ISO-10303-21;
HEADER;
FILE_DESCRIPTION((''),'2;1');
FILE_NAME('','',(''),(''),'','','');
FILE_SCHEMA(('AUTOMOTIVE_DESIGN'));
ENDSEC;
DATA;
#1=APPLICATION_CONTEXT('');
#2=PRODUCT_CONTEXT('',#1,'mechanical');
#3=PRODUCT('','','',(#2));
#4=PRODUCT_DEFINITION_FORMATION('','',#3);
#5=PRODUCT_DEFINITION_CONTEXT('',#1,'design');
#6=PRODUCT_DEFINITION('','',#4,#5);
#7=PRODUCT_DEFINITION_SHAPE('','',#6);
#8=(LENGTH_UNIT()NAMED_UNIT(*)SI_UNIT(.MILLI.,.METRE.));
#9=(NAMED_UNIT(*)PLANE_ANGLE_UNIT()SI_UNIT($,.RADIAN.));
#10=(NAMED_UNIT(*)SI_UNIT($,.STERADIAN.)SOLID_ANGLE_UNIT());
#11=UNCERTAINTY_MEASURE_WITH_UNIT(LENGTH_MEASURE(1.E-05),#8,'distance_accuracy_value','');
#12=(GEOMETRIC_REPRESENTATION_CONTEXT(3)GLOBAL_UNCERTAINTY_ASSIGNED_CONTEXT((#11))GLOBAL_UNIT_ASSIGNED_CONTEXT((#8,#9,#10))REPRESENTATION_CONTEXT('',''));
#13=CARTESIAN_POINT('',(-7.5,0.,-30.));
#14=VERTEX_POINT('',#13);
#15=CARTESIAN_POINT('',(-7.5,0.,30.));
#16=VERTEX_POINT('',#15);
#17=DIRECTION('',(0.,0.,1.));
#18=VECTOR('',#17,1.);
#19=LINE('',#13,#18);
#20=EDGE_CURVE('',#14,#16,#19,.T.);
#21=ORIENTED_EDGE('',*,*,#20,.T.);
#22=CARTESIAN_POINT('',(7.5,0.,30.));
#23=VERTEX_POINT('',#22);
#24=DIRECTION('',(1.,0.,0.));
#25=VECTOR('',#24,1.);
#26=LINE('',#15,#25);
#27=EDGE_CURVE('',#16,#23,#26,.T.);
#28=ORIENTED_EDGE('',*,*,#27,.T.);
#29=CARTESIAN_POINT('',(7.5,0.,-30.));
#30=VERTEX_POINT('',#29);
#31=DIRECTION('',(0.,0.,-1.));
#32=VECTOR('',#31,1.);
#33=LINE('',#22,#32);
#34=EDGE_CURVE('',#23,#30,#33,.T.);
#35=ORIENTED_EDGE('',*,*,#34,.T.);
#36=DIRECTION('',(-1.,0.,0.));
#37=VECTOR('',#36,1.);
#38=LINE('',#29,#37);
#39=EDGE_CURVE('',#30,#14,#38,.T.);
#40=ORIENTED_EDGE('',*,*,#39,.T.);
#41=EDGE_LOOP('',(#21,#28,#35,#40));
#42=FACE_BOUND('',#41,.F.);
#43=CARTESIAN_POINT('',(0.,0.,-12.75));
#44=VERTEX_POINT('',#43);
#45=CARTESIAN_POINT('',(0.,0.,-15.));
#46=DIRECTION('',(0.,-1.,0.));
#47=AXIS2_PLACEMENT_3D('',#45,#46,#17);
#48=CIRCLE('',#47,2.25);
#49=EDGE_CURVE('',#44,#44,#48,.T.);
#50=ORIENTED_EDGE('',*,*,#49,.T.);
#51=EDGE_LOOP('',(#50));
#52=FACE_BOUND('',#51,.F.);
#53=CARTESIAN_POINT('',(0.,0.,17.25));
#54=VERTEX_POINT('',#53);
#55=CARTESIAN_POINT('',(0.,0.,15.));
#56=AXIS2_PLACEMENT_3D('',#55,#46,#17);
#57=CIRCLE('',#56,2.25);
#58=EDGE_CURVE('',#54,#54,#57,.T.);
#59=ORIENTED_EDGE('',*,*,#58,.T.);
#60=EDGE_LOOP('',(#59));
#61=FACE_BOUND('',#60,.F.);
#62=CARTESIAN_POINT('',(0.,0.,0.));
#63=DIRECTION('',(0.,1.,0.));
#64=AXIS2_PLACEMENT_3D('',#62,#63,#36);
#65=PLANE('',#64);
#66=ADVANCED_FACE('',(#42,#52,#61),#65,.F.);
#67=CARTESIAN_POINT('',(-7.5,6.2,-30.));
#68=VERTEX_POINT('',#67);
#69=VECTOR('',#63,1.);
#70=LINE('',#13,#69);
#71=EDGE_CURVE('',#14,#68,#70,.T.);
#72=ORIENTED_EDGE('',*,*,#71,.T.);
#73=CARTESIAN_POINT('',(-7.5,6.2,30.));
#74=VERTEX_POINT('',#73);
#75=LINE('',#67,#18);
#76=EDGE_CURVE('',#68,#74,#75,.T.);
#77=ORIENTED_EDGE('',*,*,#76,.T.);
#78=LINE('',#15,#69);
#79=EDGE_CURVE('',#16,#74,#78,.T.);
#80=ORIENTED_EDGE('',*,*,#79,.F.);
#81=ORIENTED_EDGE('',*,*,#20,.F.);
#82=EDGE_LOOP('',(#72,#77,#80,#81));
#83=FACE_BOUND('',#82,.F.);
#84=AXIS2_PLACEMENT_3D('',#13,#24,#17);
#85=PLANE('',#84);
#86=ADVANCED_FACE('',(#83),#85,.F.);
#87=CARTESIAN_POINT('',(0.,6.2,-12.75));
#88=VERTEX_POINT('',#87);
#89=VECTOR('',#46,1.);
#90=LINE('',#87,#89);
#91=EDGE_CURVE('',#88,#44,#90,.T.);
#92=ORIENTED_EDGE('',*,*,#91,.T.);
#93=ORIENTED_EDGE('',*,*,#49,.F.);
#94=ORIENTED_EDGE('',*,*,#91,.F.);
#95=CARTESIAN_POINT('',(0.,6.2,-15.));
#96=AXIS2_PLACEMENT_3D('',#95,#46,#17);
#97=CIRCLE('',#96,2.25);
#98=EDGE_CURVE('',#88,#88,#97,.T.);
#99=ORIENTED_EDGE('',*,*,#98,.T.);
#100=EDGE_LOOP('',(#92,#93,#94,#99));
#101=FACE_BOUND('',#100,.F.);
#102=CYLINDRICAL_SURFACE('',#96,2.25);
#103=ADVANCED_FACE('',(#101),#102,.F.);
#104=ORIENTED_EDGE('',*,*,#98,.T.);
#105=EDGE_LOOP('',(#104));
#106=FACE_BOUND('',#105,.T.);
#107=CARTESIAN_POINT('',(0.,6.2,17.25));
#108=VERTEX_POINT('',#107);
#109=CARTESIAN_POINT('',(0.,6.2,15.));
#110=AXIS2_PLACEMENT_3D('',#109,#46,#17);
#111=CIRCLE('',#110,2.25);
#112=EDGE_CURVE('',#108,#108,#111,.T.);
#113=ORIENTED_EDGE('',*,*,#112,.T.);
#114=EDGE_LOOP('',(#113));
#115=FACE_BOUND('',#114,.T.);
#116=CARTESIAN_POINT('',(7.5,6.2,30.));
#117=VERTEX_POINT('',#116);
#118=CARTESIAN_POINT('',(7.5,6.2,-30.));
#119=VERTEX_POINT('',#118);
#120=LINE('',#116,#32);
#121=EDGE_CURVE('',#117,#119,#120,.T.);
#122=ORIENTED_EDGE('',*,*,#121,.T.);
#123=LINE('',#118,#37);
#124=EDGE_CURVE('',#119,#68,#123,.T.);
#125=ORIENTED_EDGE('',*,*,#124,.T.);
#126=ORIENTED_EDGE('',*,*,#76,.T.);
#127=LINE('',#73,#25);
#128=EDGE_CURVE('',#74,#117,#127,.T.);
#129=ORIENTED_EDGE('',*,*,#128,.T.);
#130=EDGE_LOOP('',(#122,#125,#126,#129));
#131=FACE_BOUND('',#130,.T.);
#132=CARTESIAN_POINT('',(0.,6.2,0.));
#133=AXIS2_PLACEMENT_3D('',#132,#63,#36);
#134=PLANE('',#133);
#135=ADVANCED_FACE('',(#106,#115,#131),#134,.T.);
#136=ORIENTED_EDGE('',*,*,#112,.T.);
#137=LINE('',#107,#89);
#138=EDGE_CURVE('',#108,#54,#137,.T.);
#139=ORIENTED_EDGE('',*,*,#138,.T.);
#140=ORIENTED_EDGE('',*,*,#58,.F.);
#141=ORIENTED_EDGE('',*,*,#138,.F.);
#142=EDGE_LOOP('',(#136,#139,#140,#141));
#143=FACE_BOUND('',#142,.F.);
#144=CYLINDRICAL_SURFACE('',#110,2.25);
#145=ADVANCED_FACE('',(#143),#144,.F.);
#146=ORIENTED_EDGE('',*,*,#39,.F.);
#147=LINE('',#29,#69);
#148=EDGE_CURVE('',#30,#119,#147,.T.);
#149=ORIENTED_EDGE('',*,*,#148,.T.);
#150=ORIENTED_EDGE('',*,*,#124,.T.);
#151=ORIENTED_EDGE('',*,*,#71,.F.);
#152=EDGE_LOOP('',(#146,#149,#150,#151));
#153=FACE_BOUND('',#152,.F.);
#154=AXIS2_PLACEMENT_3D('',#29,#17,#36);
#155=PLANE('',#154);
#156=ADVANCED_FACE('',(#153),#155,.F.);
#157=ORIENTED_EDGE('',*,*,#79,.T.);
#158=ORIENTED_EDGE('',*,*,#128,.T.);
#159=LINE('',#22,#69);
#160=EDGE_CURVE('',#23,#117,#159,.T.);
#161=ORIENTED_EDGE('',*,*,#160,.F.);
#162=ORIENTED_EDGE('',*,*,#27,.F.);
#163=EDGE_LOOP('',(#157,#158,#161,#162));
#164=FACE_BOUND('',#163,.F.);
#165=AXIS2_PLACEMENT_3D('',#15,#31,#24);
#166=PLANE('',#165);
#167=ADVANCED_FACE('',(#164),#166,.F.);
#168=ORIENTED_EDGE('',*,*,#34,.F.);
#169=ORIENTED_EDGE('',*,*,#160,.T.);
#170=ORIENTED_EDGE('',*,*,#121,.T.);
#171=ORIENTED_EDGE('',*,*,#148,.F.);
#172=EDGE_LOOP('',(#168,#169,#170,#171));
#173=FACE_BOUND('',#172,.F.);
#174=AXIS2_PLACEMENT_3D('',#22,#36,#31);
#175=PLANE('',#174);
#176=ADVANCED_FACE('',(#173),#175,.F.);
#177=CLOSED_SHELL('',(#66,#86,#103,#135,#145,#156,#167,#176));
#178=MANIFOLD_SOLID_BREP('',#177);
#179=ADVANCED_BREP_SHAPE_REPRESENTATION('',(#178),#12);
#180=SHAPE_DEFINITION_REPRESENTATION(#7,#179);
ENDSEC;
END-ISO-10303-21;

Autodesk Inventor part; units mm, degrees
ref_plane "YZ Plane" through (0, 0, 0) normal (1, 0, 0) x (0, 1, 0)
ref_plane "XZ Plane" through (0, 0, 0) normal (0, 1, 0) x (-1, 0, 0)
ref_plane "XY Plane" through (0, 0, 0) normal (0, 0, 1) x (1, 0, 0)
sketch "Sketch1" plane through (0, 0, 0) normal (0, 1, 0) x (-1, 0, 0)
  line L0 (-7.5, -30) -> (7.5, -30)
  line L1 (7.5, -30) -> (7.5, 30)
  line L2 (7.5, 30) -> (-7.5, 30)
  line L3 (-7.5, 30) -> (-7.5, -30)
  line L4 (-7.5, -30) -> (7.5, 30) construction
  line L5 (7.5, -30) -> (-7.5, 30) construction
  point P0 (0, 0)
  dimension "d0" = 15
  dimension "d1" = 60
extrude "Extrusion1" add sketch "Sketch1" along normal blind 6.2
sketch "Sketch2" plane through (0, 6.2, 0) normal (0, 1, 0) x (1, 0, 0)
  line L0 (-7.5, -30) -> (7.5, -30) projected
  line L1 (7.5, 30) -> (-7.5, 30) projected
  point P0 (0, 0)
  point P1 (0, -15)
  point P2 (0, 15)
  point P3 (0, -30)
  dimension "d4" = 15
  dimension "d5" = 15
hole "Hole1" at (0, 6.2, 15) at (0, 6.2, -15) direction (0, -1, 0) diameter 4.5 end through all
properties part number "Ajuste vertical"
